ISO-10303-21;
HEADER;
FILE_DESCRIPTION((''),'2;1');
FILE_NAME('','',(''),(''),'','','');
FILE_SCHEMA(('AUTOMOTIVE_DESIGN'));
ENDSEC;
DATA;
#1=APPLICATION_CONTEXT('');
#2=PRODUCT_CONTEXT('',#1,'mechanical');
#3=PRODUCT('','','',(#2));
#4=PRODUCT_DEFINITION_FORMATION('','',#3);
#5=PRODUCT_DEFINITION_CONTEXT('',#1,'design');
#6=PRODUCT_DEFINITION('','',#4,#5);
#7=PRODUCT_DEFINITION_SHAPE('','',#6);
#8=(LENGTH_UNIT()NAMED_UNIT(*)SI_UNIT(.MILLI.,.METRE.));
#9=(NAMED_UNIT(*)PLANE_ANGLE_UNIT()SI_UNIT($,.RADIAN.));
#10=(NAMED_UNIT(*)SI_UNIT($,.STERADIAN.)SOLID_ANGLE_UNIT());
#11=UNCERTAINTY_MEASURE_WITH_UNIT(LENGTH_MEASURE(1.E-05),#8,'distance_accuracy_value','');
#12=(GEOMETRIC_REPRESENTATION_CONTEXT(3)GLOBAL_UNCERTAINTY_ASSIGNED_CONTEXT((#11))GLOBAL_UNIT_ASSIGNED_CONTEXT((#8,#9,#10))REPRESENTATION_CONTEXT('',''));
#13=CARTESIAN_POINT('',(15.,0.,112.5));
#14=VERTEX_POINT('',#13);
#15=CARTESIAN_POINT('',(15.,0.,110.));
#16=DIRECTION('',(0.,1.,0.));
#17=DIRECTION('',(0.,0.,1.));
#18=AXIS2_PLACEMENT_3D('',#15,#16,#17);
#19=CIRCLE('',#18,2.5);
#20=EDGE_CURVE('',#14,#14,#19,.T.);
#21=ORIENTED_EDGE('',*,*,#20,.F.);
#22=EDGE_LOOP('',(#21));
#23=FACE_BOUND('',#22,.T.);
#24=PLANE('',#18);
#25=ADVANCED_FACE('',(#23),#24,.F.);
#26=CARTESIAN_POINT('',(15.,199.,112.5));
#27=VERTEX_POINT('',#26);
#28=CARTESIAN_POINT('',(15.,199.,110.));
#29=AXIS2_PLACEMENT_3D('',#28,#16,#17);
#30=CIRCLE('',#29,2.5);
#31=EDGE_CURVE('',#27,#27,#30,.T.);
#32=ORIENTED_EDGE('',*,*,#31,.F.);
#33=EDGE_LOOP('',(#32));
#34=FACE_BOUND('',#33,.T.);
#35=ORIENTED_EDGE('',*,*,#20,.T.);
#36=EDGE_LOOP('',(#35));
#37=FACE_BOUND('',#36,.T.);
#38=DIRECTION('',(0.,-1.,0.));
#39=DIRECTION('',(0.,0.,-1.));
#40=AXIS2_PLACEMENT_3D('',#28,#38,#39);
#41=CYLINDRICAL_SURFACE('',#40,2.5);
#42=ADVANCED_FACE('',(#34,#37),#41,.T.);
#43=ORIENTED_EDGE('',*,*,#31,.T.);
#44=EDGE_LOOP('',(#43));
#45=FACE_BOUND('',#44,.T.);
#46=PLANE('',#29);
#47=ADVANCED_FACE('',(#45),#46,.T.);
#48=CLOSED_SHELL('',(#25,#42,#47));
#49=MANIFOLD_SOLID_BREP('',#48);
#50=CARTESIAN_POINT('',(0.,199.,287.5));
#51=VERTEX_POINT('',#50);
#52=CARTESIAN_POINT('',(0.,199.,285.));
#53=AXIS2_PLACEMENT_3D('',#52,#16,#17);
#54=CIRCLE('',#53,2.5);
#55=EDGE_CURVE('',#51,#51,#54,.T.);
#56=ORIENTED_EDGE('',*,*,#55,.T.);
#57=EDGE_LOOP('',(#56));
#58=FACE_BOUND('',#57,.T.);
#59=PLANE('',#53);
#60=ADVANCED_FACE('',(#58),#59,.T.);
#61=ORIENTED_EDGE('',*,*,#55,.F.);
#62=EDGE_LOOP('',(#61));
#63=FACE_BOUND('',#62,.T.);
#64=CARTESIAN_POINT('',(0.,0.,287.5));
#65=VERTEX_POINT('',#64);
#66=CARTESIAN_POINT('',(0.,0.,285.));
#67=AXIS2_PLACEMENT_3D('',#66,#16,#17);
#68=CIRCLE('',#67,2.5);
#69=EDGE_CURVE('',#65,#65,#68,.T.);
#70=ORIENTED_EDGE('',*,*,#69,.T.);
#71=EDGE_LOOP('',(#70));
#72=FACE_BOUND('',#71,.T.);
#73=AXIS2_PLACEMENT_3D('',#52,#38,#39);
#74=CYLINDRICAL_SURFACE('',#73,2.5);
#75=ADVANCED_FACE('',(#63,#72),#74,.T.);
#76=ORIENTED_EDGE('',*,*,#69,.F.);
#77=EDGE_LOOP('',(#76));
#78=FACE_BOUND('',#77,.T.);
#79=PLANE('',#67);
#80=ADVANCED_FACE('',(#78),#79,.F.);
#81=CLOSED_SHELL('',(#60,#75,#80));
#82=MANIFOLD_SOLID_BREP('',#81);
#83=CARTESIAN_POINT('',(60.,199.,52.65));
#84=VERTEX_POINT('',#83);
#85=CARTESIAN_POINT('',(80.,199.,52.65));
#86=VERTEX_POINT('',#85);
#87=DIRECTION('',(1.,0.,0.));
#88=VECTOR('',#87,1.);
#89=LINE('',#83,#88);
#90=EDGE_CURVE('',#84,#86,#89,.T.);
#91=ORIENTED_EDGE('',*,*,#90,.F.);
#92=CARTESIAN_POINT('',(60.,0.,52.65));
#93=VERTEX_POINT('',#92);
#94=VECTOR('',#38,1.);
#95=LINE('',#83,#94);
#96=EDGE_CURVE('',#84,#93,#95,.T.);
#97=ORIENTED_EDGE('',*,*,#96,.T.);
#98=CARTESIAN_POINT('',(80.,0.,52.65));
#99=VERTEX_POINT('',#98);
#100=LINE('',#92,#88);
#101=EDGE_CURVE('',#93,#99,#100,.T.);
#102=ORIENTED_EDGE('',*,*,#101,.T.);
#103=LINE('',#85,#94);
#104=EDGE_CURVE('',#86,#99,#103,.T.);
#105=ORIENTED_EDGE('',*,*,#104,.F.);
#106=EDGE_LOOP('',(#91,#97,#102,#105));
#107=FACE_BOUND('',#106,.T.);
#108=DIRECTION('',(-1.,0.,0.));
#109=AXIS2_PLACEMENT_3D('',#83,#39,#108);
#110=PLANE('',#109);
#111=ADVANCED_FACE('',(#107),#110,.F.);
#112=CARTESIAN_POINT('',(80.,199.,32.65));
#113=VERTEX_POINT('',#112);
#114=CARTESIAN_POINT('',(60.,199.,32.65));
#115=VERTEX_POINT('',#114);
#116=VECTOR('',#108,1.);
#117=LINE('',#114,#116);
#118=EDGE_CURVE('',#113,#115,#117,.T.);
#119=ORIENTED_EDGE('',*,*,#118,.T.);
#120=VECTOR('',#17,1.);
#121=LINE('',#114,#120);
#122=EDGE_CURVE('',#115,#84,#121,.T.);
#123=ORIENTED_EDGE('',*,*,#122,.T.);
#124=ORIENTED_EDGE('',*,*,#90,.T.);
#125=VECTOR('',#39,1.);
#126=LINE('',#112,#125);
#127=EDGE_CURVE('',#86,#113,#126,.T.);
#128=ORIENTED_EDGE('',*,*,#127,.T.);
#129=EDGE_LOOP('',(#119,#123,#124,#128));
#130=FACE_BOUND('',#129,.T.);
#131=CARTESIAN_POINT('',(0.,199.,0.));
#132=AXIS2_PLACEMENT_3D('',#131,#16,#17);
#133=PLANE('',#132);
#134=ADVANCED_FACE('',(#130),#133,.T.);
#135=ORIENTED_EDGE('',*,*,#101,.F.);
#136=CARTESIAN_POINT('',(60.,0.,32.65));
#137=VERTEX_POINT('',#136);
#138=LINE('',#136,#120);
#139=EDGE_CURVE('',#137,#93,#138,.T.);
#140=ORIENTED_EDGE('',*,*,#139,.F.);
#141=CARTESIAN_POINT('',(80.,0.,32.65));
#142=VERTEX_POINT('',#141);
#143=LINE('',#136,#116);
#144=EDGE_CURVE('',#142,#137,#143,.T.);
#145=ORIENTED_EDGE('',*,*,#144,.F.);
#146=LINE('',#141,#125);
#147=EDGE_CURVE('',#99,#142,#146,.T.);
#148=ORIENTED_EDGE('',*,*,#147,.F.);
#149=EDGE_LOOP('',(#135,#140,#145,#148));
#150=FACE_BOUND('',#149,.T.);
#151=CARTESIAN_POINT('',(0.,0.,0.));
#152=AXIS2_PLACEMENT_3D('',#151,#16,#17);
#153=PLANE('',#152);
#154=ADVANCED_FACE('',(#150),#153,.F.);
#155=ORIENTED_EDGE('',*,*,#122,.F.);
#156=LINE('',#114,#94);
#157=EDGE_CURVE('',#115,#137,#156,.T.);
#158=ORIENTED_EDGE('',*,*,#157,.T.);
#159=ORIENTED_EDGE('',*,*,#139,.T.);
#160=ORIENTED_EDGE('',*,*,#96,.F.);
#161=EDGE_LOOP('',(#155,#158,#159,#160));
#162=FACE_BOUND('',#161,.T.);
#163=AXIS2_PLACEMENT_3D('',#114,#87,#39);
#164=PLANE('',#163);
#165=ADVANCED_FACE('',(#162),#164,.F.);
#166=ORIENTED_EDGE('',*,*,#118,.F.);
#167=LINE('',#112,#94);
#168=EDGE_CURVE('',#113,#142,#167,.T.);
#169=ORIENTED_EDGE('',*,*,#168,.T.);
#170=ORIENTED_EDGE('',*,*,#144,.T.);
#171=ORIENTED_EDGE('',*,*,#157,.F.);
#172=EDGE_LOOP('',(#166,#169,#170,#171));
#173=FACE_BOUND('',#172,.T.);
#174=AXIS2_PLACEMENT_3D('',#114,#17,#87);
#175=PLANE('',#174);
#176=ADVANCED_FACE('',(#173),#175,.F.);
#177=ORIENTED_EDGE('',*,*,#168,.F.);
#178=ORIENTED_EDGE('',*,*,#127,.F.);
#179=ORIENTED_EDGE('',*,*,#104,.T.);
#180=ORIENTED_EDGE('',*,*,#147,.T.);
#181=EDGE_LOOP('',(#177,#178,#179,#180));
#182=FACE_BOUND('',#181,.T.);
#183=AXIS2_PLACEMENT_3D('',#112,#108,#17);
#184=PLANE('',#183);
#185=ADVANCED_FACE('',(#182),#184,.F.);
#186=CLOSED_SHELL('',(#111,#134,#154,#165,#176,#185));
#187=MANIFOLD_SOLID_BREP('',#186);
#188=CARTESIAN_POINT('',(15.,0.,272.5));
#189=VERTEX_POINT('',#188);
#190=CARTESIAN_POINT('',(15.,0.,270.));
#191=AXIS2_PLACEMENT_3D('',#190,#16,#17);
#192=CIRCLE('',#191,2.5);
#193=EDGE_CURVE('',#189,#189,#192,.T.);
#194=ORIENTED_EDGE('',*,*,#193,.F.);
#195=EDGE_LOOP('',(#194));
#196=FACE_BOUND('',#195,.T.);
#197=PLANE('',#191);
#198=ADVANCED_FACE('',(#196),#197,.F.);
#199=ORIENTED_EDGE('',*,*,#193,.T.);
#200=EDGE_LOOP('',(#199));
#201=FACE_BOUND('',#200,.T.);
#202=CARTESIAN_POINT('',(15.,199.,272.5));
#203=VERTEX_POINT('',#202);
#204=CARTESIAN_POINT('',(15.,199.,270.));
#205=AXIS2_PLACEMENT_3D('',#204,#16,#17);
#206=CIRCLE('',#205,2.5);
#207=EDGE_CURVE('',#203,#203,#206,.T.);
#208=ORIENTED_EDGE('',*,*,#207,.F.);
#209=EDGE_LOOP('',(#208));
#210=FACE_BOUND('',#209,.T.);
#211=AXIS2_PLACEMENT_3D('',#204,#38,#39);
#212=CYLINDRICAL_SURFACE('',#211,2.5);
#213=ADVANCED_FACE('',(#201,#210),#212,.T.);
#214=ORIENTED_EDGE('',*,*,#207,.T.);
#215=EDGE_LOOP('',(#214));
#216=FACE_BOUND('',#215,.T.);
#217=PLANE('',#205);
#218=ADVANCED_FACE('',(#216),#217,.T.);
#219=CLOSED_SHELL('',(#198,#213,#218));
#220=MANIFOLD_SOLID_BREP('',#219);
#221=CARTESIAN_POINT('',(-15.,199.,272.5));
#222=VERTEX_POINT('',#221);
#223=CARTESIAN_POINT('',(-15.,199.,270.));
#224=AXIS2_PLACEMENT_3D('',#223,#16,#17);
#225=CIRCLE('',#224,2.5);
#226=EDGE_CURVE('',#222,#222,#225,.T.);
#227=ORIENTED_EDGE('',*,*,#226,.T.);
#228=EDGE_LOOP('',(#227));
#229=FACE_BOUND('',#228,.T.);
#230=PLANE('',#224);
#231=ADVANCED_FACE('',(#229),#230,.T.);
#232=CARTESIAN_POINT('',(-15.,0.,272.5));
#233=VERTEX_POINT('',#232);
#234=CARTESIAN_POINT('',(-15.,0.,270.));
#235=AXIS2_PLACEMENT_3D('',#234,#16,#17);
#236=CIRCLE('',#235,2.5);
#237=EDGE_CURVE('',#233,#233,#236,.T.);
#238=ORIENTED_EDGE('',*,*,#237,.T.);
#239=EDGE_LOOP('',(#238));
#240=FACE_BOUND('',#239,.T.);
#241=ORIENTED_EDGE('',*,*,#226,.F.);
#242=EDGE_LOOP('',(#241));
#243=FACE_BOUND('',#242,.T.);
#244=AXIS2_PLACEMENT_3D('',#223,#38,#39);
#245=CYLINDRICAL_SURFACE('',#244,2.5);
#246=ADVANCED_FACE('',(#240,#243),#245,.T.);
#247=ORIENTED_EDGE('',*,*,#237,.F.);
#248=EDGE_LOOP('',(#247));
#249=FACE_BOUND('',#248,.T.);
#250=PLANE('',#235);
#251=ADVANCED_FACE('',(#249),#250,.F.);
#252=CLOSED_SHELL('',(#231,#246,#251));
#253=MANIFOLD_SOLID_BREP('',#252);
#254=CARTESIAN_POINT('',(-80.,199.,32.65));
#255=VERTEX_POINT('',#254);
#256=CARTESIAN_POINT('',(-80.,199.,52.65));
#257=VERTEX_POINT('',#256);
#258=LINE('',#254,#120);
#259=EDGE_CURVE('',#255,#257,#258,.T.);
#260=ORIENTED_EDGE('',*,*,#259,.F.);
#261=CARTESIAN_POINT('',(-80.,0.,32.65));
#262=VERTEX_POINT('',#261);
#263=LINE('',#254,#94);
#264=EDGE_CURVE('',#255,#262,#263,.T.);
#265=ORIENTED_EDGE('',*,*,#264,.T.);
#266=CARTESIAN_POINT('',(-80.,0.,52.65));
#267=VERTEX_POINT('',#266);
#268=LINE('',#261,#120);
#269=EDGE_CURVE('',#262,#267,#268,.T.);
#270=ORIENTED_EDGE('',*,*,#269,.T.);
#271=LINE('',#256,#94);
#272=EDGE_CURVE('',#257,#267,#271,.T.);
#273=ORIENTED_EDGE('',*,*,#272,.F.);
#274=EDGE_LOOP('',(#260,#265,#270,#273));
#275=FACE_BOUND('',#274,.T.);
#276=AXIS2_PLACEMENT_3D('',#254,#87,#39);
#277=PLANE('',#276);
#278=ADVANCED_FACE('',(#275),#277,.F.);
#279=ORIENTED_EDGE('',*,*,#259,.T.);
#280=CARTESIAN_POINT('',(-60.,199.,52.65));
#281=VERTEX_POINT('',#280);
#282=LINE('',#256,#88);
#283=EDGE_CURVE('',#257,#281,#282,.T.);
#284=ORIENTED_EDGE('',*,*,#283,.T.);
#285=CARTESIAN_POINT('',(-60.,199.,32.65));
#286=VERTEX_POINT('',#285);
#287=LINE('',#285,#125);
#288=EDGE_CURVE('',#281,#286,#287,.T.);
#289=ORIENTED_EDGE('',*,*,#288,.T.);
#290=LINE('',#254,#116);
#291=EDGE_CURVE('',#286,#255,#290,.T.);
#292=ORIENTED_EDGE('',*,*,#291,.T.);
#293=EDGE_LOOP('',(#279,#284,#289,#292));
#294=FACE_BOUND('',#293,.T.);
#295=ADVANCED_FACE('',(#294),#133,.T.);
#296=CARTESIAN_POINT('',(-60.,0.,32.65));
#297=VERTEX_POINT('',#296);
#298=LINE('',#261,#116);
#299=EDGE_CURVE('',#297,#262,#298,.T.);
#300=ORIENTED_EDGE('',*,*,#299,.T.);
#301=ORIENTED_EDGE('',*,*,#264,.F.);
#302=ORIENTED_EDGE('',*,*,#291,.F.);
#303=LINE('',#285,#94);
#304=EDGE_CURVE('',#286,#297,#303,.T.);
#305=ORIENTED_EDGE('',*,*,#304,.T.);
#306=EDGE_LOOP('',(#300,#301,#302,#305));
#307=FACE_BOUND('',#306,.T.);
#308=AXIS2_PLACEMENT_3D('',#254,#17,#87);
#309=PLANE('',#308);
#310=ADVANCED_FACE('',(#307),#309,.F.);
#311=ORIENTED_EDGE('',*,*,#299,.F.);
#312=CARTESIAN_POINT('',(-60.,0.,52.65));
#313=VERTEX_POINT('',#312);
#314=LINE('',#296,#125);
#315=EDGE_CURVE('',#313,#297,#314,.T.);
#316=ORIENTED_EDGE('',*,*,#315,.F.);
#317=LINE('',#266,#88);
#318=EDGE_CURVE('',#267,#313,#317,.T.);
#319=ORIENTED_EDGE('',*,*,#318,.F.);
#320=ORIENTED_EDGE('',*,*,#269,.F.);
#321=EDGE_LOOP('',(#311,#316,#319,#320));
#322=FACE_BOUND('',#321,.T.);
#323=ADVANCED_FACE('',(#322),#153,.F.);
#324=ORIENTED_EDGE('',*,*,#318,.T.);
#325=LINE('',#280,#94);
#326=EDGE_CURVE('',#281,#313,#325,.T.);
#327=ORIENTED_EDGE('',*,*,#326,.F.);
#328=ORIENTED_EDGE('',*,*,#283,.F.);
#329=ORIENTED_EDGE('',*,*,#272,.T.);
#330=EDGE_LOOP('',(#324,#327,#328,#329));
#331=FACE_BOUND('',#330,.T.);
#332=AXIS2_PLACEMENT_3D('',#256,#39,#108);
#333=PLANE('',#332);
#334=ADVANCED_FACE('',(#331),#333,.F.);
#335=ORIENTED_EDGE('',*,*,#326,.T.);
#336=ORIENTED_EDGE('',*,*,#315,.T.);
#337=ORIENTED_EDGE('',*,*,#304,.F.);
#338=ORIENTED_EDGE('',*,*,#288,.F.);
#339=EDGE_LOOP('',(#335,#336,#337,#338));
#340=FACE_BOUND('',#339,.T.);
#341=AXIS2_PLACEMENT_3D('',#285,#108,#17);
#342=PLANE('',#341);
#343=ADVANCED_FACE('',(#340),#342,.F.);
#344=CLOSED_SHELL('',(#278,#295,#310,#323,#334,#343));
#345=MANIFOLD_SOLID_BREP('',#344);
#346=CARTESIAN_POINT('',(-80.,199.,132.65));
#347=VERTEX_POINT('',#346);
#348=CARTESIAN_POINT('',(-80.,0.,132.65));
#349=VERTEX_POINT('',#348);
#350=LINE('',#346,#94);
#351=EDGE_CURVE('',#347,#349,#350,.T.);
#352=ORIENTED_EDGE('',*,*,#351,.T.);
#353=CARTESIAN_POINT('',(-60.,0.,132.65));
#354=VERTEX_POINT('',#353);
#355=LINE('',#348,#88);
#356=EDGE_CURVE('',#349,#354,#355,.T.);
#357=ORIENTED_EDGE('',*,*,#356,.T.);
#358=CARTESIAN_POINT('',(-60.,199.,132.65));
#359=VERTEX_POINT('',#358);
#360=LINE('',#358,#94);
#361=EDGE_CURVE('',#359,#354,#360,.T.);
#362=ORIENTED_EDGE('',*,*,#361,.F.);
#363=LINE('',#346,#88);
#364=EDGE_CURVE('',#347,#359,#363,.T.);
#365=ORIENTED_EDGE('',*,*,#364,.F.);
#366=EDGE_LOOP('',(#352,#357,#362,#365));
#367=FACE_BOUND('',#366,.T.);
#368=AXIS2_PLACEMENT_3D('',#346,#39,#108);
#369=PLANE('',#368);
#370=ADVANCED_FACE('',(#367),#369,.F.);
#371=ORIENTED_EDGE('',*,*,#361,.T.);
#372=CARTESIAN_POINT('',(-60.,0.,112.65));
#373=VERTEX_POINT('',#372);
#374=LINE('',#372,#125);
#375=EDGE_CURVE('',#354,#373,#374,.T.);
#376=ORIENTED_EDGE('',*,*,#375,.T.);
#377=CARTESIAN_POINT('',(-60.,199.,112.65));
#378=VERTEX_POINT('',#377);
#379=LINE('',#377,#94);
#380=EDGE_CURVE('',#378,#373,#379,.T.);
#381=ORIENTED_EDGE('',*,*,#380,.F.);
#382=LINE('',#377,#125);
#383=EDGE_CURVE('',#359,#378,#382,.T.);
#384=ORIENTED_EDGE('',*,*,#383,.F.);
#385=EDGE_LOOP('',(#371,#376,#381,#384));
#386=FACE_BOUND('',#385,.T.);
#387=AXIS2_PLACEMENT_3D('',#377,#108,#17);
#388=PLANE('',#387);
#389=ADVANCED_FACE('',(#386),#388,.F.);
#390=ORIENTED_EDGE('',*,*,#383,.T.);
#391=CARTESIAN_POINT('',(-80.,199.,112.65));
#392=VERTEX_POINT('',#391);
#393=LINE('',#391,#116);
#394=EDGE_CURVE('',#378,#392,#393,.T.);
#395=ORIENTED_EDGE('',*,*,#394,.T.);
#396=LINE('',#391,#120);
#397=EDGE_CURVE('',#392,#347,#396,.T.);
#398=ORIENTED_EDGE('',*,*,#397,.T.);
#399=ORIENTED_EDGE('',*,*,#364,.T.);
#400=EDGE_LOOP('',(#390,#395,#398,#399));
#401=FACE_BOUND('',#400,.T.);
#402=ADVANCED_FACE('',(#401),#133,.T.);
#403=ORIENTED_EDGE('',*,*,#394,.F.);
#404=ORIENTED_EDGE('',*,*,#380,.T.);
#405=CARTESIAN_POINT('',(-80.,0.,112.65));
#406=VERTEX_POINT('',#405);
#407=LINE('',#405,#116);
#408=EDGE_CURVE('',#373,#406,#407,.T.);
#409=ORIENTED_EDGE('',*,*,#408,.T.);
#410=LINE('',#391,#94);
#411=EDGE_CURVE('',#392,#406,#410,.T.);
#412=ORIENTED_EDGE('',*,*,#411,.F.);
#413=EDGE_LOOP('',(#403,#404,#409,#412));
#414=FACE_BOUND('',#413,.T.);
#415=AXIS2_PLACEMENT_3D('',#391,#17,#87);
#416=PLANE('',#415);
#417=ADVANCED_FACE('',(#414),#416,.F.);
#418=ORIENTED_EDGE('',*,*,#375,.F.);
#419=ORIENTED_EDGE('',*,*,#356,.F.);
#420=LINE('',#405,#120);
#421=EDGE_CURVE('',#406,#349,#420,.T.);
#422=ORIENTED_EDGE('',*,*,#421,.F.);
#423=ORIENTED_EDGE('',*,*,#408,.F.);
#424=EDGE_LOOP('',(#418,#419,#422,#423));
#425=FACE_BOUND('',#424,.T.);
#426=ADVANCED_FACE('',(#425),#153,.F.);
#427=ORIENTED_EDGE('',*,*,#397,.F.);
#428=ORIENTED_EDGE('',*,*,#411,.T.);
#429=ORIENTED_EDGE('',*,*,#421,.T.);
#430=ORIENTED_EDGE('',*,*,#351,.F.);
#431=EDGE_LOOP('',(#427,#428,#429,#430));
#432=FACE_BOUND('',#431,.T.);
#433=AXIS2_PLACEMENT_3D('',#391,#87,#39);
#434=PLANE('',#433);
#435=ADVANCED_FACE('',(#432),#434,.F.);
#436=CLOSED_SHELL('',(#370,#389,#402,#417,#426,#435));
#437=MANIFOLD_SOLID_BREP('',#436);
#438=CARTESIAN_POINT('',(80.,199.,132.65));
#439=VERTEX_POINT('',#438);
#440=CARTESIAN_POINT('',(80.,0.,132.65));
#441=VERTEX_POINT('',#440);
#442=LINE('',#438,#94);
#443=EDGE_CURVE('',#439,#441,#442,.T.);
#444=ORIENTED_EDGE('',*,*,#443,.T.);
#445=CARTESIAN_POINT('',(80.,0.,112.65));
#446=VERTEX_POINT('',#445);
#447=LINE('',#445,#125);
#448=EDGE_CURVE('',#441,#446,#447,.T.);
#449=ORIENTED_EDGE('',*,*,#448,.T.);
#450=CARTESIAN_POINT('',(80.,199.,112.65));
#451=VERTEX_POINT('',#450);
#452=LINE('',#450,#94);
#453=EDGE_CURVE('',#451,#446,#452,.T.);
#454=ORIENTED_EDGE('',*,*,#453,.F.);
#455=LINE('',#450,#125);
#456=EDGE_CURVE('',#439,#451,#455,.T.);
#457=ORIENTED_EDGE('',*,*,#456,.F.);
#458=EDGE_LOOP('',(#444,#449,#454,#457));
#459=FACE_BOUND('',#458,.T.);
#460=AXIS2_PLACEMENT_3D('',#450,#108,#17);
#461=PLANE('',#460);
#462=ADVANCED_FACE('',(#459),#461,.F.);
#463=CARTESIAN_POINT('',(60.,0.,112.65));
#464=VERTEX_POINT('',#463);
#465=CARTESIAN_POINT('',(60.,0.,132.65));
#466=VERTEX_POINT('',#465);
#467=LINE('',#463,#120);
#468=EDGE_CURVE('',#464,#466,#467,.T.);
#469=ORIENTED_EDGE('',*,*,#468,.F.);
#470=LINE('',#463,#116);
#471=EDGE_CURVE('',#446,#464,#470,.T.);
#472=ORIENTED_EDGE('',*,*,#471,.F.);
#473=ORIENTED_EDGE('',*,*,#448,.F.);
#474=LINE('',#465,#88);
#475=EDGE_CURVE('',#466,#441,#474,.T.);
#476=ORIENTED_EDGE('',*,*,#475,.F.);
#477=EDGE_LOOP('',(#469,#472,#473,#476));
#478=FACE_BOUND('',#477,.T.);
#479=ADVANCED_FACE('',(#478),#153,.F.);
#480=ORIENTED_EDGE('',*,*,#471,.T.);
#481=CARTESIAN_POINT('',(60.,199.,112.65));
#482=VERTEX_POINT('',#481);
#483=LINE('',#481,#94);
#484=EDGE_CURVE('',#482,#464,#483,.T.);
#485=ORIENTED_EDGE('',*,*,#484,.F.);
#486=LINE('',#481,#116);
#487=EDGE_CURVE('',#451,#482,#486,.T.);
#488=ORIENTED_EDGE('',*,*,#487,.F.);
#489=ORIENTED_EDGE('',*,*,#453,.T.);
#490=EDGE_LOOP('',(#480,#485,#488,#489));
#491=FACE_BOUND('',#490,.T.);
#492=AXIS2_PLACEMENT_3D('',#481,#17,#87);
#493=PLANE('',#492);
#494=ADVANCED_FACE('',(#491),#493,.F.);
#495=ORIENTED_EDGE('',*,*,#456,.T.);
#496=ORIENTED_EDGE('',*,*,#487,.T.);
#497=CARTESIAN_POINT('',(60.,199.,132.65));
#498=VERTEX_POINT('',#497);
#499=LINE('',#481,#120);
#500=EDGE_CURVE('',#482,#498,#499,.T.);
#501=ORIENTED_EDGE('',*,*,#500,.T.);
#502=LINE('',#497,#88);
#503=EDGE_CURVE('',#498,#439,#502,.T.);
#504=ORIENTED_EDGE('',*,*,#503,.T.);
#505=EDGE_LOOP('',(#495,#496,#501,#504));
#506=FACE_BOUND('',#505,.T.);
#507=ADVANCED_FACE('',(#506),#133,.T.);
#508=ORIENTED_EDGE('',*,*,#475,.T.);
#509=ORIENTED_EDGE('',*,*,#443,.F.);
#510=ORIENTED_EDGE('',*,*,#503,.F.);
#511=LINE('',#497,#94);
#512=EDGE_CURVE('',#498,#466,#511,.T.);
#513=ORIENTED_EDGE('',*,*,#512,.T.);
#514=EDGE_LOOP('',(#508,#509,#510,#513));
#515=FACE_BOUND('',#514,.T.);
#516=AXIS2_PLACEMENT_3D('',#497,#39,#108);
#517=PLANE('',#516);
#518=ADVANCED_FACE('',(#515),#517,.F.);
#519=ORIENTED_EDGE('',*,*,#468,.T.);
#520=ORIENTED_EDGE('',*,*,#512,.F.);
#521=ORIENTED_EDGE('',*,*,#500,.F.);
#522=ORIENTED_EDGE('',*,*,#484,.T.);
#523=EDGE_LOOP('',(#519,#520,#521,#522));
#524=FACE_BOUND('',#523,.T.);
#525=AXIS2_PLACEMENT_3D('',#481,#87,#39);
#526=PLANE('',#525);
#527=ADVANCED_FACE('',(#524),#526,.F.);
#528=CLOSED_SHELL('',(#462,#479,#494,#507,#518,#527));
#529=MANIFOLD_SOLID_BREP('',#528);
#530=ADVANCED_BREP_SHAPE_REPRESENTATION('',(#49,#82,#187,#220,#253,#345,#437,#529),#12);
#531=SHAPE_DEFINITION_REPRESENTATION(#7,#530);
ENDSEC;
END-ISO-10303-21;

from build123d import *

# Parameters (mm, degrees)
SKIZZE3_R                         = 2.5
AUFSATZ_LINEAR_AUSTRAGEN1_DEPTH   = 199
AUFSATZ_LINEAR_AUSTRAGEN1_2_DEPTH = 199
AUFSATZ_LINEAR_AUSTRAGEN1_3_DEPTH = 199
AUFSATZ_LINEAR_AUSTRAGEN1_4_DEPTH = 199
SKIZZE3_W                         = 20
SKIZZE3_H                         = 20
AUFSATZ_LINEAR_AUSTRAGEN1_5_DEPTH = 199
AUFSATZ_LINEAR_AUSTRAGEN1_6_DEPTH = 199
AUFSATZ_LINEAR_AUSTRAGEN1_7_DEPTH = 199
AUFSATZ_LINEAR_AUSTRAGEN1_8_DEPTH = 199


with BuildPart() as part:
    # Skizze3 → Aufsatz-Linear austragen1 (new body)
    with BuildSketch(Plane(origin=(0, 0, 0), x_dir=(1, 0, 0), z_dir=(0, 1, 0))):
        with Locations((15, -110)):
            Circle(SKIZZE3_R)
    extrude(amount=AUFSATZ_LINEAR_AUSTRAGEN1_DEPTH)


with BuildPart() as body_2:
    # Skizze3 → Aufsatz-Linear austragen1 2 (new body)
    with BuildSketch(Plane(origin=(0, 0, 0), x_dir=(1, 0, 0), z_dir=(0, 1, 0))):
        with Locations((-15, -270)):
            Circle(SKIZZE3_R)
    extrude(amount=AUFSATZ_LINEAR_AUSTRAGEN1_2_DEPTH)


with BuildPart() as body_3:
    # Skizze3 → Aufsatz-Linear austragen1 3 (new body)
    with BuildSketch(Plane(origin=(0, 0, 0), x_dir=(1, 0, 0), z_dir=(0, 1, 0))):
        with Locations((0, -285)):
            Circle(SKIZZE3_R)
    extrude(amount=AUFSATZ_LINEAR_AUSTRAGEN1_3_DEPTH)


with BuildPart() as body_4:
    # Skizze3 → Aufsatz-Linear austragen1 4 (new body)
    with BuildSketch(Plane(origin=(0, 0, 0), x_dir=(1, 0, 0), z_dir=(0, 1, 0))):
        with Locations((15, -270)):
            Circle(SKIZZE3_R)
    extrude(amount=AUFSATZ_LINEAR_AUSTRAGEN1_4_DEPTH)


with BuildPart() as body_5:
    # Skizze3 → Aufsatz-Linear austragen1 5 (new body)
    with BuildSketch(Plane(origin=(0, 0, 0), x_dir=(1, 0, 0), z_dir=(0, 1, 0))):
        with Locations((-70, -42.65)):
            Rectangle(SKIZZE3_W, SKIZZE3_H)
    extrude(amount=AUFSATZ_LINEAR_AUSTRAGEN1_5_DEPTH)


with BuildPart() as body_6:
    # Skizze3 → Aufsatz-Linear austragen1 6 (new body)
    with BuildSketch(Plane(origin=(0, 0, 0), x_dir=(1, 0, 0), z_dir=(0, 1, 0))):
        with Locations((70, -42.65)):
            Rectangle(SKIZZE3_W, SKIZZE3_H)
    extrude(amount=AUFSATZ_LINEAR_AUSTRAGEN1_6_DEPTH)


with BuildPart() as body_7:
    # Skizze3 → Aufsatz-Linear austragen1 7 (new body)
    with BuildSketch(Plane(origin=(0, 0, 0), x_dir=(1, 0, 0), z_dir=(0, 1, 0))):
        with Locations((70, -122.65)):
            Rectangle(SKIZZE3_W, SKIZZE3_H)
    extrude(amount=AUFSATZ_LINEAR_AUSTRAGEN1_7_DEPTH)


with BuildPart() as body_8:
    # Skizze3 → Aufsatz-Linear austragen1 8 (new body)
    with BuildSketch(Plane(origin=(0, 0, 0), x_dir=(1, 0, 0), z_dir=(0, 1, 0))):
        with Locations((-70, -122.65)):
            Rectangle(SKIZZE3_W, SKIZZE3_H)
    extrude(amount=AUFSATZ_LINEAR_AUSTRAGEN1_8_DEPTH)


solid = Compound([part.part, body_2.part, body_3.part, body_4.part, body_5.part, body_6.part, body_7.part, body_8.part])
